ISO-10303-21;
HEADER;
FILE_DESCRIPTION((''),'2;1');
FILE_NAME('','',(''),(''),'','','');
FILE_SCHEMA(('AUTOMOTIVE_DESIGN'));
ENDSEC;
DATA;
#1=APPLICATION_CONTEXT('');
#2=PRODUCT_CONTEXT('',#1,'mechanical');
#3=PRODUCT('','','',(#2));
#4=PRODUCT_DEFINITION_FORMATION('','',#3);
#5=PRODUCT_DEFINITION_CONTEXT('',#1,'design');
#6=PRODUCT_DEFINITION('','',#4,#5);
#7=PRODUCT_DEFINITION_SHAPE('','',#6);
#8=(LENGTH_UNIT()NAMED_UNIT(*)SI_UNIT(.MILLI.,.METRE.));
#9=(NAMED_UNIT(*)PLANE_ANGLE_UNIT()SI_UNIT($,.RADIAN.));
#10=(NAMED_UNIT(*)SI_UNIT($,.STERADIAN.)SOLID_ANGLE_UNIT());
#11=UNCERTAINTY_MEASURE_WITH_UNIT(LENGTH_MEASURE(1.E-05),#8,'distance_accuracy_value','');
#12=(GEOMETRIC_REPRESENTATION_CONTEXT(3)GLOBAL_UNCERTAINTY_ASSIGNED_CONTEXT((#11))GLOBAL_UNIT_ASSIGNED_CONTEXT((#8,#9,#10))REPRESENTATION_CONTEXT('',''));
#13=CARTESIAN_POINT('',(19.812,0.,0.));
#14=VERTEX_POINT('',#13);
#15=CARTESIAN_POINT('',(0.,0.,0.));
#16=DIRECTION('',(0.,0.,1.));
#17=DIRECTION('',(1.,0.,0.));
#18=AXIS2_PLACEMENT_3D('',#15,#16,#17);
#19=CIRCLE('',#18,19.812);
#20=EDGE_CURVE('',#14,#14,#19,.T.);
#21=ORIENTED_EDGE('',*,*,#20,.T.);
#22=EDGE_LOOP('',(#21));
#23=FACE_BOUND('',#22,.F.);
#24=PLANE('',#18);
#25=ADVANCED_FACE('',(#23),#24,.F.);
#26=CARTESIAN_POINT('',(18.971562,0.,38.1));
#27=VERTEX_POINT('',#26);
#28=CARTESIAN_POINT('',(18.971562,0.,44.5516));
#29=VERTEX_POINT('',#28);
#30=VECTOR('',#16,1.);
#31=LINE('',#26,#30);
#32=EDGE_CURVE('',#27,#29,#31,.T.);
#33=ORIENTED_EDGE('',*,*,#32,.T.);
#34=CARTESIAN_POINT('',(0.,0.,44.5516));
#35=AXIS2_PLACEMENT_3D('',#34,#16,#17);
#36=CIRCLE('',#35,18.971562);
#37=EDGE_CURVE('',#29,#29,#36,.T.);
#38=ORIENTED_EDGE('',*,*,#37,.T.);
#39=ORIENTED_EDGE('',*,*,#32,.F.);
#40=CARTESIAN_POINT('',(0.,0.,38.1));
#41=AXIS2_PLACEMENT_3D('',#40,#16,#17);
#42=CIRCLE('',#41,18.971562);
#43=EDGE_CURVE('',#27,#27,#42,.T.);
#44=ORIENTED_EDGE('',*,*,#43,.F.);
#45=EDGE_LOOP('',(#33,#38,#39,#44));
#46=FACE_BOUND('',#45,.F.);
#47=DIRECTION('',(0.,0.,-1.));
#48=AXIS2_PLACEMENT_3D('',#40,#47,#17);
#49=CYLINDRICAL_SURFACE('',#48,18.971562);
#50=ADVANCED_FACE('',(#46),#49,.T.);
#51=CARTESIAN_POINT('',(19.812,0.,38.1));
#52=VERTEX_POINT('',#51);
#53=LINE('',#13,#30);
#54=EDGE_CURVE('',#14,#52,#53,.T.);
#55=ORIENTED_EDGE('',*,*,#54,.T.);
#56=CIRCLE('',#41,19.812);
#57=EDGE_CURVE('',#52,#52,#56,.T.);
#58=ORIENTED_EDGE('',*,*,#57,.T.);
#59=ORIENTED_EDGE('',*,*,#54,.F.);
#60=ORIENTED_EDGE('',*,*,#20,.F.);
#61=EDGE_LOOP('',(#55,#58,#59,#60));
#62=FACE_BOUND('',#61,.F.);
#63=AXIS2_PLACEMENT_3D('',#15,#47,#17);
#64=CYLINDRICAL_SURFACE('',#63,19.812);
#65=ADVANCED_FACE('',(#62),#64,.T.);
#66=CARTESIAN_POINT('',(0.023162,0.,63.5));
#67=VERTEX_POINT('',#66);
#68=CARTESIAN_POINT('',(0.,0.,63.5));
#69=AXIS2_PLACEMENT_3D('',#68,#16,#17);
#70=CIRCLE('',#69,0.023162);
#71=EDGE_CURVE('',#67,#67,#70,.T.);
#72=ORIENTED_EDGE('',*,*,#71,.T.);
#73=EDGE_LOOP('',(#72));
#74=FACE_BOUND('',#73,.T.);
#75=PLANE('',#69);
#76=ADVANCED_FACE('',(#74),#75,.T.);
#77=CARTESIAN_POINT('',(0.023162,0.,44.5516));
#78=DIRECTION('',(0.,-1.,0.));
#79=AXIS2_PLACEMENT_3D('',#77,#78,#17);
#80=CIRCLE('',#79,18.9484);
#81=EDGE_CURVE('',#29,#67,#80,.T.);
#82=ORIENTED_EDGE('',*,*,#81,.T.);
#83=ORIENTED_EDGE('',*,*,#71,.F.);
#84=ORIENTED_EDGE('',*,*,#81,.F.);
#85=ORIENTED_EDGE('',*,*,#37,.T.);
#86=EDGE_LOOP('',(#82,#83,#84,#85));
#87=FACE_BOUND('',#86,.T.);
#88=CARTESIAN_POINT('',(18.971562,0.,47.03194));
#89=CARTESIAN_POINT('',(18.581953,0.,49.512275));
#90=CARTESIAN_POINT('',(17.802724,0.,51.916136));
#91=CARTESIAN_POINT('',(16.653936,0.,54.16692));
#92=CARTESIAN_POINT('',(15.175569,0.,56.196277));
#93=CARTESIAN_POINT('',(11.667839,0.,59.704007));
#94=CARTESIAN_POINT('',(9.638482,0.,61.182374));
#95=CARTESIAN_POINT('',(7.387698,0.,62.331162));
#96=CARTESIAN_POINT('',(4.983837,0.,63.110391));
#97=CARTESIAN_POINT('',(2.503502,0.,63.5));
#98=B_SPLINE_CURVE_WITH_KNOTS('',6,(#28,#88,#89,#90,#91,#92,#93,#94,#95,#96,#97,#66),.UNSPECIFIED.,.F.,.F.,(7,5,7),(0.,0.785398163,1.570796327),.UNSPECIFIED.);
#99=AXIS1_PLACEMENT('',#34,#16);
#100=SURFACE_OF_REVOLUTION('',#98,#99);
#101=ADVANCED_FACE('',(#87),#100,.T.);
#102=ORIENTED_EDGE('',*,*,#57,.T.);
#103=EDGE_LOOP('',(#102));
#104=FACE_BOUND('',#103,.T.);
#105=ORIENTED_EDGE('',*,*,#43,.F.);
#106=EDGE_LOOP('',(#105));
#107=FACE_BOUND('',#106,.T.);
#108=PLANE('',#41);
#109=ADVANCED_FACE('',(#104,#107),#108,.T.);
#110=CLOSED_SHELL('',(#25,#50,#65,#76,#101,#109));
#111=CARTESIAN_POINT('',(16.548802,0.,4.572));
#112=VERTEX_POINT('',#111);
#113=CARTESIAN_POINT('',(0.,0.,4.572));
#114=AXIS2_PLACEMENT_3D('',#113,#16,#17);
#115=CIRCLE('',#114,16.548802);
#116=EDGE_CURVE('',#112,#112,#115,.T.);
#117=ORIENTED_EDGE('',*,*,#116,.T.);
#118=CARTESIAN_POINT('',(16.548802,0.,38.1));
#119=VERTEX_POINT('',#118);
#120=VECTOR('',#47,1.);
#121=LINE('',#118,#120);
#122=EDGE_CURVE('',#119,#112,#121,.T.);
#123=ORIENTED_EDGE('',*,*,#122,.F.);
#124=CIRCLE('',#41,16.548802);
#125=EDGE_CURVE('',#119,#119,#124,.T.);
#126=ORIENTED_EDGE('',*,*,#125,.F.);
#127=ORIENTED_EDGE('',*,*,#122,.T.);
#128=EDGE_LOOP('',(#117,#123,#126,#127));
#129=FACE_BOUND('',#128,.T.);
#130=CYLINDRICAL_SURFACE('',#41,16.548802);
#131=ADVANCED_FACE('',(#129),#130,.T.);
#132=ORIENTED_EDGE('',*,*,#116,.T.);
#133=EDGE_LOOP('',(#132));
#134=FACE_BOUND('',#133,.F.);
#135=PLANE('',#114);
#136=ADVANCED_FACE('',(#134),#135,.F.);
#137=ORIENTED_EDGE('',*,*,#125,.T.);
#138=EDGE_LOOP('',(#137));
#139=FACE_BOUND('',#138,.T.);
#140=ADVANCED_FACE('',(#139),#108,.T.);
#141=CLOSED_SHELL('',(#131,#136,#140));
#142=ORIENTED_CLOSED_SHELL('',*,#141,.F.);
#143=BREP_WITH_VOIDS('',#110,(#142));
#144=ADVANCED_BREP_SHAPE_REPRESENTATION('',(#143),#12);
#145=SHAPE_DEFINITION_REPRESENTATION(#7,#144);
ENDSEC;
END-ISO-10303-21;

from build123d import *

# Parameters (mm, degrees)
F0_R     = 19.812
F1_DEPTH = 38.1
F2_R     = 16.548802
F3_DEPTH = 33.528
F4_R     = 18.971562
F5_DEPTH = 25.4
F6_R     = 18.9484


with BuildPart() as f1:
    # F0 (on Top) → F1 (new body)
    with BuildSketch(Plane.XY):
        Circle(F0_R)
    extrude(amount=F1_DEPTH)

    # F2 (on face) → F3 (cut)
    with BuildSketch(Plane.XY.offset(38.1)):
        Circle(F2_R)
    extrude(amount=-F3_DEPTH, mode=Mode.SUBTRACT)

    # F4 (on face) → F5 (join)
    with BuildSketch(Plane.XY.offset(38.1)):
        Circle(F4_R)
    extrude(amount=F5_DEPTH)

    # F6
    f6_edges = [f1.edges().sort_by_distance(p)[0] for p in [
        (-18.971562, 0, 63.5),
    ]]
    fillet(f6_edges, radius=F6_R)


solid = f1.part
